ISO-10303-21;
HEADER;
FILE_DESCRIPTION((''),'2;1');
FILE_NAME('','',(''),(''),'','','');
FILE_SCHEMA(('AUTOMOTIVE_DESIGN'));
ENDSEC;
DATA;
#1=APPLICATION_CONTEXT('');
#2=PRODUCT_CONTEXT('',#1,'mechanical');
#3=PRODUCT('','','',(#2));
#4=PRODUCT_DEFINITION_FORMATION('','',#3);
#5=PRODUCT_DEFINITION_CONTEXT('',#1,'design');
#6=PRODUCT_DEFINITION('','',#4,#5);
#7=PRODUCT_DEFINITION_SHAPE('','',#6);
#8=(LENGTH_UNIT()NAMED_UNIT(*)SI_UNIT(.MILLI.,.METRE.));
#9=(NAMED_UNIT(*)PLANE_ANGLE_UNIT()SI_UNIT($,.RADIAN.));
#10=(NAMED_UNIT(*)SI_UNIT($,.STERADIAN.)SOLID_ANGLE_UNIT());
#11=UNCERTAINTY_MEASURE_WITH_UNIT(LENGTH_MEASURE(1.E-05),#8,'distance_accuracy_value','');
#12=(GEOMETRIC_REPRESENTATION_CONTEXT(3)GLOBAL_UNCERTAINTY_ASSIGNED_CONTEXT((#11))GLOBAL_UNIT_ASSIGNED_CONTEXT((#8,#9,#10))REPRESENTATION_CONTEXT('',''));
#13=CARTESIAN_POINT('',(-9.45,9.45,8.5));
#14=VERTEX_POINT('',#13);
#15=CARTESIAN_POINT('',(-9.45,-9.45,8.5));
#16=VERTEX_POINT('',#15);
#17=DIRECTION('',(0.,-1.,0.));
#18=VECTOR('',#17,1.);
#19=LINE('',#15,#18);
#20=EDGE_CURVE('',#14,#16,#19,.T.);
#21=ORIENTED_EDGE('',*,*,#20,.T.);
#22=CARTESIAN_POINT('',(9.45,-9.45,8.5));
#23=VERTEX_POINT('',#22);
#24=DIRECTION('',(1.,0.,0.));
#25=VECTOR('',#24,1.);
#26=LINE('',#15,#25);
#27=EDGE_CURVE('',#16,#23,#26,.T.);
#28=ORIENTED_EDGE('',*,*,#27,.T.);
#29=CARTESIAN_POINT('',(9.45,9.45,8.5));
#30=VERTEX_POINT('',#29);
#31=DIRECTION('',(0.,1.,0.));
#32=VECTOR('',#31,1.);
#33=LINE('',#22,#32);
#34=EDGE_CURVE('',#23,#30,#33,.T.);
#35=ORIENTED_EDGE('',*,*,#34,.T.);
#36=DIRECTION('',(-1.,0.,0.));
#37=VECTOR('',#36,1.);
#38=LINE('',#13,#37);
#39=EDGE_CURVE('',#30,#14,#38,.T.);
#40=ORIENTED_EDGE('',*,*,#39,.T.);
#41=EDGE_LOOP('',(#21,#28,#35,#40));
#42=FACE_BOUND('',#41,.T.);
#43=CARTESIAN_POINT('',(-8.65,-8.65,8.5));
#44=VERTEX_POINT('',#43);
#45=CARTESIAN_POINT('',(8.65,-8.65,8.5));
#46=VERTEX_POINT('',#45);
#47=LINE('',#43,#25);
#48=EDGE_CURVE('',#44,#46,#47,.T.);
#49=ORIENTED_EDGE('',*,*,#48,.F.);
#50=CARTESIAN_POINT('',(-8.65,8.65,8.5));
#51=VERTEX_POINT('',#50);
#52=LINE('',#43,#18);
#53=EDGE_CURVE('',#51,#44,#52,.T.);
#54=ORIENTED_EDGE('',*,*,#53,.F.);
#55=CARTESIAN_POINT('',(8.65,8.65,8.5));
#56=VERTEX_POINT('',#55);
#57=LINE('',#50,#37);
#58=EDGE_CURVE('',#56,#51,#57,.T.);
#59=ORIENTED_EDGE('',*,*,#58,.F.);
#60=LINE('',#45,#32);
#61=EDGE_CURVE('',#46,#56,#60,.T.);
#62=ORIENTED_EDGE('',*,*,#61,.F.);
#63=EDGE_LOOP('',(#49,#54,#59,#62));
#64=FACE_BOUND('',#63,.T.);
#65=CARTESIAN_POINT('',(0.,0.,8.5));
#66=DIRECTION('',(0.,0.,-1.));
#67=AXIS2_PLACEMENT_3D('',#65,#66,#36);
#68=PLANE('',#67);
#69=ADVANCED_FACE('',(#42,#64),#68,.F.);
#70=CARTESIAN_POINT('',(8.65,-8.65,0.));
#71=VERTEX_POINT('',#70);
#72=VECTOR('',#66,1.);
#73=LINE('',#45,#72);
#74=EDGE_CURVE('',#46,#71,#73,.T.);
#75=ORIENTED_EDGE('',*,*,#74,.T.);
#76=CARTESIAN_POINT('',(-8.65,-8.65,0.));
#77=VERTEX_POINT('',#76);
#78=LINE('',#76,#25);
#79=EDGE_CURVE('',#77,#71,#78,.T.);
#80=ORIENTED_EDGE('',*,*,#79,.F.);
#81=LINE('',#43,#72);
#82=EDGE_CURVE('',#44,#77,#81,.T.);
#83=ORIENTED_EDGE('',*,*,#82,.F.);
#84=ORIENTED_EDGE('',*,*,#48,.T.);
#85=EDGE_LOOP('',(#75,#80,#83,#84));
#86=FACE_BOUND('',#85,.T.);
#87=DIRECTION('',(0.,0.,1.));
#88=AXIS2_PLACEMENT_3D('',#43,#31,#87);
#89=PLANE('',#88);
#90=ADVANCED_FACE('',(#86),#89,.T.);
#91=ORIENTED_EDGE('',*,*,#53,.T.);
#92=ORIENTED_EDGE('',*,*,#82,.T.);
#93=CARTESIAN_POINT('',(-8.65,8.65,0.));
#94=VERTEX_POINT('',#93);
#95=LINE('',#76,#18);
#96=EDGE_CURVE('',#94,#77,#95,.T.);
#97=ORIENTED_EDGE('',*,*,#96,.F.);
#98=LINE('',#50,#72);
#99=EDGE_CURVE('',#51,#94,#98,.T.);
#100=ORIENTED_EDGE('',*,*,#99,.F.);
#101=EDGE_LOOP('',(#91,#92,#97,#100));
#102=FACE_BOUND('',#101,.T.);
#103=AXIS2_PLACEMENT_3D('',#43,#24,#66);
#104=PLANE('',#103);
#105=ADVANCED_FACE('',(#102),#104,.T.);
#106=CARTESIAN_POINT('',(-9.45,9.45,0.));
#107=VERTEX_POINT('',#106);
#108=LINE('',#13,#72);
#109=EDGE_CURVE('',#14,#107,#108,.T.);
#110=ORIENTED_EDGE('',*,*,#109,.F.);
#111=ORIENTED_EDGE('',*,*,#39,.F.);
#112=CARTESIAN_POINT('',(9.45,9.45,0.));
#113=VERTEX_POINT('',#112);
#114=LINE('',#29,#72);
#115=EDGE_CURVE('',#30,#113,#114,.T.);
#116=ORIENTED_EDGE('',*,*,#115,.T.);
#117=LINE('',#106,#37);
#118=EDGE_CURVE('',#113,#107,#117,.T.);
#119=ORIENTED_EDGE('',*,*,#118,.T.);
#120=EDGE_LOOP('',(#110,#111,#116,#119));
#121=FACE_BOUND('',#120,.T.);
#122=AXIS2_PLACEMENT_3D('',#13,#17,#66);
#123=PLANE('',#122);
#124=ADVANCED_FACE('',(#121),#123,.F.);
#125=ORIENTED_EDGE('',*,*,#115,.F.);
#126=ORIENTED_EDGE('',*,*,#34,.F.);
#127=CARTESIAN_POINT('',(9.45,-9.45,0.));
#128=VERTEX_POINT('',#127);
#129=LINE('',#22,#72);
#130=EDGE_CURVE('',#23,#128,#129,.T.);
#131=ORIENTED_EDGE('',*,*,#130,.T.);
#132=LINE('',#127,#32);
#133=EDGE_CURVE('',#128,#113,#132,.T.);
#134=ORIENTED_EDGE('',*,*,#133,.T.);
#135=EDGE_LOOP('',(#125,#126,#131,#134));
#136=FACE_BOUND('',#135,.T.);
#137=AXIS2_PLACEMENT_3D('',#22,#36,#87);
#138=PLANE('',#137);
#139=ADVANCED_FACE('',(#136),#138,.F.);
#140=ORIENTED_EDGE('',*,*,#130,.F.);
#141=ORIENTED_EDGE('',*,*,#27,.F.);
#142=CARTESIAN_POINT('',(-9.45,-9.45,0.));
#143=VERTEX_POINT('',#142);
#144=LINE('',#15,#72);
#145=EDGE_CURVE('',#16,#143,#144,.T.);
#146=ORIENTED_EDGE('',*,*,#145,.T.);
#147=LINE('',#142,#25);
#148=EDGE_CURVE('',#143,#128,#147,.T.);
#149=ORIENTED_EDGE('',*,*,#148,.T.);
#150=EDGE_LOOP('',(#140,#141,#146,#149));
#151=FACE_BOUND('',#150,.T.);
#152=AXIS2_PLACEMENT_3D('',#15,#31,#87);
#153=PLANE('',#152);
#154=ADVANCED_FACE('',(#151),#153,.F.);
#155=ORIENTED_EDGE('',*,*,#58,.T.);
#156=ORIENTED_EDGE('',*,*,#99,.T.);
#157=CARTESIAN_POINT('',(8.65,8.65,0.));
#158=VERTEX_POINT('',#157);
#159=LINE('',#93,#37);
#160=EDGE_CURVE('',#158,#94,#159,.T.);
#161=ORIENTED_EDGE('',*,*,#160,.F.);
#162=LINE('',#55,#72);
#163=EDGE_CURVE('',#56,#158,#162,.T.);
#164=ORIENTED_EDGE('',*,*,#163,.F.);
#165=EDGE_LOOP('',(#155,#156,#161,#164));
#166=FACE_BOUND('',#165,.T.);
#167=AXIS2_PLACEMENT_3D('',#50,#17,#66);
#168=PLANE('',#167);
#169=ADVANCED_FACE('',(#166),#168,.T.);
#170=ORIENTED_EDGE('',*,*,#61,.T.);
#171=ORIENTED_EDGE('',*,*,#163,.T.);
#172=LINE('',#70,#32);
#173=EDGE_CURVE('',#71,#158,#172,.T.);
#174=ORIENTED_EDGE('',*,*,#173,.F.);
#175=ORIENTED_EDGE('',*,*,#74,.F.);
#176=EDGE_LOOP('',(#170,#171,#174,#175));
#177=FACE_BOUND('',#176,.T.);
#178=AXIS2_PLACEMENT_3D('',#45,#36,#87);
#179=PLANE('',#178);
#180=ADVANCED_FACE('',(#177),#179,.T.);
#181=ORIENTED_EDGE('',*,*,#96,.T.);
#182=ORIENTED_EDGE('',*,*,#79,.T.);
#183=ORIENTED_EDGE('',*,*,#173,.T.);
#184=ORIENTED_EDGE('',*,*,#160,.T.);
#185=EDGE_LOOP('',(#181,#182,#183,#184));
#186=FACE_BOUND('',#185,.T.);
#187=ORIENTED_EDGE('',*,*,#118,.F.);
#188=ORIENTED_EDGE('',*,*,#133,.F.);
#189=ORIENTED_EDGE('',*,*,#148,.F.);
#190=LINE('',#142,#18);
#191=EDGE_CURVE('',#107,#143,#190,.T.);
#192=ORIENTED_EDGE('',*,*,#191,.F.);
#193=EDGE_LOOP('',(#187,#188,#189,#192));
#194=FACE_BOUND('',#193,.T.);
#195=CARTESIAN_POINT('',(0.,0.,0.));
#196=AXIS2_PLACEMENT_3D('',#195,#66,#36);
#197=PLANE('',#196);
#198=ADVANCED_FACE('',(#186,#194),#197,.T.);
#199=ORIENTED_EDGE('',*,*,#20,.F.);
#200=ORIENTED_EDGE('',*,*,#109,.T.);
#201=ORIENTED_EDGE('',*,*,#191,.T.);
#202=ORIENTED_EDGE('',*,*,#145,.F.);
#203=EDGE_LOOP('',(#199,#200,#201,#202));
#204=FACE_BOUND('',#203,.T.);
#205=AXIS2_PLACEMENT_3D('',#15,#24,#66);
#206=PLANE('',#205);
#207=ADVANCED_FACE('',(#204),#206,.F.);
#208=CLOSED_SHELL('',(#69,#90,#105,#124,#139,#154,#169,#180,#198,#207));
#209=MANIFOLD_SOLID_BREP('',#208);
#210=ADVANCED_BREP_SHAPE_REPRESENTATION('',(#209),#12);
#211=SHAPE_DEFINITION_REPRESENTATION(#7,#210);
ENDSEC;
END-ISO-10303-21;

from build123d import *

# Parameters (mm, degrees)
SKETCH1_W           = 18.9
SKETCH1_H           = 18.9
SKETCH1_W_2         = 17.3
SKETCH1_H_2         = 17.3
BOSS_EXTRUDE1_DEPTH = 8.5


with BuildPart() as part:
    # Sketch1 → Boss-Extrude1 (new body)
    with BuildSketch(Plane.XY):
        Rectangle(SKETCH1_W, SKETCH1_H)
        Rectangle(SKETCH1_W_2, SKETCH1_H_2, mode=Mode.SUBTRACT)
    extrude(amount=BOSS_EXTRUDE1_DEPTH)


solid = part.part
